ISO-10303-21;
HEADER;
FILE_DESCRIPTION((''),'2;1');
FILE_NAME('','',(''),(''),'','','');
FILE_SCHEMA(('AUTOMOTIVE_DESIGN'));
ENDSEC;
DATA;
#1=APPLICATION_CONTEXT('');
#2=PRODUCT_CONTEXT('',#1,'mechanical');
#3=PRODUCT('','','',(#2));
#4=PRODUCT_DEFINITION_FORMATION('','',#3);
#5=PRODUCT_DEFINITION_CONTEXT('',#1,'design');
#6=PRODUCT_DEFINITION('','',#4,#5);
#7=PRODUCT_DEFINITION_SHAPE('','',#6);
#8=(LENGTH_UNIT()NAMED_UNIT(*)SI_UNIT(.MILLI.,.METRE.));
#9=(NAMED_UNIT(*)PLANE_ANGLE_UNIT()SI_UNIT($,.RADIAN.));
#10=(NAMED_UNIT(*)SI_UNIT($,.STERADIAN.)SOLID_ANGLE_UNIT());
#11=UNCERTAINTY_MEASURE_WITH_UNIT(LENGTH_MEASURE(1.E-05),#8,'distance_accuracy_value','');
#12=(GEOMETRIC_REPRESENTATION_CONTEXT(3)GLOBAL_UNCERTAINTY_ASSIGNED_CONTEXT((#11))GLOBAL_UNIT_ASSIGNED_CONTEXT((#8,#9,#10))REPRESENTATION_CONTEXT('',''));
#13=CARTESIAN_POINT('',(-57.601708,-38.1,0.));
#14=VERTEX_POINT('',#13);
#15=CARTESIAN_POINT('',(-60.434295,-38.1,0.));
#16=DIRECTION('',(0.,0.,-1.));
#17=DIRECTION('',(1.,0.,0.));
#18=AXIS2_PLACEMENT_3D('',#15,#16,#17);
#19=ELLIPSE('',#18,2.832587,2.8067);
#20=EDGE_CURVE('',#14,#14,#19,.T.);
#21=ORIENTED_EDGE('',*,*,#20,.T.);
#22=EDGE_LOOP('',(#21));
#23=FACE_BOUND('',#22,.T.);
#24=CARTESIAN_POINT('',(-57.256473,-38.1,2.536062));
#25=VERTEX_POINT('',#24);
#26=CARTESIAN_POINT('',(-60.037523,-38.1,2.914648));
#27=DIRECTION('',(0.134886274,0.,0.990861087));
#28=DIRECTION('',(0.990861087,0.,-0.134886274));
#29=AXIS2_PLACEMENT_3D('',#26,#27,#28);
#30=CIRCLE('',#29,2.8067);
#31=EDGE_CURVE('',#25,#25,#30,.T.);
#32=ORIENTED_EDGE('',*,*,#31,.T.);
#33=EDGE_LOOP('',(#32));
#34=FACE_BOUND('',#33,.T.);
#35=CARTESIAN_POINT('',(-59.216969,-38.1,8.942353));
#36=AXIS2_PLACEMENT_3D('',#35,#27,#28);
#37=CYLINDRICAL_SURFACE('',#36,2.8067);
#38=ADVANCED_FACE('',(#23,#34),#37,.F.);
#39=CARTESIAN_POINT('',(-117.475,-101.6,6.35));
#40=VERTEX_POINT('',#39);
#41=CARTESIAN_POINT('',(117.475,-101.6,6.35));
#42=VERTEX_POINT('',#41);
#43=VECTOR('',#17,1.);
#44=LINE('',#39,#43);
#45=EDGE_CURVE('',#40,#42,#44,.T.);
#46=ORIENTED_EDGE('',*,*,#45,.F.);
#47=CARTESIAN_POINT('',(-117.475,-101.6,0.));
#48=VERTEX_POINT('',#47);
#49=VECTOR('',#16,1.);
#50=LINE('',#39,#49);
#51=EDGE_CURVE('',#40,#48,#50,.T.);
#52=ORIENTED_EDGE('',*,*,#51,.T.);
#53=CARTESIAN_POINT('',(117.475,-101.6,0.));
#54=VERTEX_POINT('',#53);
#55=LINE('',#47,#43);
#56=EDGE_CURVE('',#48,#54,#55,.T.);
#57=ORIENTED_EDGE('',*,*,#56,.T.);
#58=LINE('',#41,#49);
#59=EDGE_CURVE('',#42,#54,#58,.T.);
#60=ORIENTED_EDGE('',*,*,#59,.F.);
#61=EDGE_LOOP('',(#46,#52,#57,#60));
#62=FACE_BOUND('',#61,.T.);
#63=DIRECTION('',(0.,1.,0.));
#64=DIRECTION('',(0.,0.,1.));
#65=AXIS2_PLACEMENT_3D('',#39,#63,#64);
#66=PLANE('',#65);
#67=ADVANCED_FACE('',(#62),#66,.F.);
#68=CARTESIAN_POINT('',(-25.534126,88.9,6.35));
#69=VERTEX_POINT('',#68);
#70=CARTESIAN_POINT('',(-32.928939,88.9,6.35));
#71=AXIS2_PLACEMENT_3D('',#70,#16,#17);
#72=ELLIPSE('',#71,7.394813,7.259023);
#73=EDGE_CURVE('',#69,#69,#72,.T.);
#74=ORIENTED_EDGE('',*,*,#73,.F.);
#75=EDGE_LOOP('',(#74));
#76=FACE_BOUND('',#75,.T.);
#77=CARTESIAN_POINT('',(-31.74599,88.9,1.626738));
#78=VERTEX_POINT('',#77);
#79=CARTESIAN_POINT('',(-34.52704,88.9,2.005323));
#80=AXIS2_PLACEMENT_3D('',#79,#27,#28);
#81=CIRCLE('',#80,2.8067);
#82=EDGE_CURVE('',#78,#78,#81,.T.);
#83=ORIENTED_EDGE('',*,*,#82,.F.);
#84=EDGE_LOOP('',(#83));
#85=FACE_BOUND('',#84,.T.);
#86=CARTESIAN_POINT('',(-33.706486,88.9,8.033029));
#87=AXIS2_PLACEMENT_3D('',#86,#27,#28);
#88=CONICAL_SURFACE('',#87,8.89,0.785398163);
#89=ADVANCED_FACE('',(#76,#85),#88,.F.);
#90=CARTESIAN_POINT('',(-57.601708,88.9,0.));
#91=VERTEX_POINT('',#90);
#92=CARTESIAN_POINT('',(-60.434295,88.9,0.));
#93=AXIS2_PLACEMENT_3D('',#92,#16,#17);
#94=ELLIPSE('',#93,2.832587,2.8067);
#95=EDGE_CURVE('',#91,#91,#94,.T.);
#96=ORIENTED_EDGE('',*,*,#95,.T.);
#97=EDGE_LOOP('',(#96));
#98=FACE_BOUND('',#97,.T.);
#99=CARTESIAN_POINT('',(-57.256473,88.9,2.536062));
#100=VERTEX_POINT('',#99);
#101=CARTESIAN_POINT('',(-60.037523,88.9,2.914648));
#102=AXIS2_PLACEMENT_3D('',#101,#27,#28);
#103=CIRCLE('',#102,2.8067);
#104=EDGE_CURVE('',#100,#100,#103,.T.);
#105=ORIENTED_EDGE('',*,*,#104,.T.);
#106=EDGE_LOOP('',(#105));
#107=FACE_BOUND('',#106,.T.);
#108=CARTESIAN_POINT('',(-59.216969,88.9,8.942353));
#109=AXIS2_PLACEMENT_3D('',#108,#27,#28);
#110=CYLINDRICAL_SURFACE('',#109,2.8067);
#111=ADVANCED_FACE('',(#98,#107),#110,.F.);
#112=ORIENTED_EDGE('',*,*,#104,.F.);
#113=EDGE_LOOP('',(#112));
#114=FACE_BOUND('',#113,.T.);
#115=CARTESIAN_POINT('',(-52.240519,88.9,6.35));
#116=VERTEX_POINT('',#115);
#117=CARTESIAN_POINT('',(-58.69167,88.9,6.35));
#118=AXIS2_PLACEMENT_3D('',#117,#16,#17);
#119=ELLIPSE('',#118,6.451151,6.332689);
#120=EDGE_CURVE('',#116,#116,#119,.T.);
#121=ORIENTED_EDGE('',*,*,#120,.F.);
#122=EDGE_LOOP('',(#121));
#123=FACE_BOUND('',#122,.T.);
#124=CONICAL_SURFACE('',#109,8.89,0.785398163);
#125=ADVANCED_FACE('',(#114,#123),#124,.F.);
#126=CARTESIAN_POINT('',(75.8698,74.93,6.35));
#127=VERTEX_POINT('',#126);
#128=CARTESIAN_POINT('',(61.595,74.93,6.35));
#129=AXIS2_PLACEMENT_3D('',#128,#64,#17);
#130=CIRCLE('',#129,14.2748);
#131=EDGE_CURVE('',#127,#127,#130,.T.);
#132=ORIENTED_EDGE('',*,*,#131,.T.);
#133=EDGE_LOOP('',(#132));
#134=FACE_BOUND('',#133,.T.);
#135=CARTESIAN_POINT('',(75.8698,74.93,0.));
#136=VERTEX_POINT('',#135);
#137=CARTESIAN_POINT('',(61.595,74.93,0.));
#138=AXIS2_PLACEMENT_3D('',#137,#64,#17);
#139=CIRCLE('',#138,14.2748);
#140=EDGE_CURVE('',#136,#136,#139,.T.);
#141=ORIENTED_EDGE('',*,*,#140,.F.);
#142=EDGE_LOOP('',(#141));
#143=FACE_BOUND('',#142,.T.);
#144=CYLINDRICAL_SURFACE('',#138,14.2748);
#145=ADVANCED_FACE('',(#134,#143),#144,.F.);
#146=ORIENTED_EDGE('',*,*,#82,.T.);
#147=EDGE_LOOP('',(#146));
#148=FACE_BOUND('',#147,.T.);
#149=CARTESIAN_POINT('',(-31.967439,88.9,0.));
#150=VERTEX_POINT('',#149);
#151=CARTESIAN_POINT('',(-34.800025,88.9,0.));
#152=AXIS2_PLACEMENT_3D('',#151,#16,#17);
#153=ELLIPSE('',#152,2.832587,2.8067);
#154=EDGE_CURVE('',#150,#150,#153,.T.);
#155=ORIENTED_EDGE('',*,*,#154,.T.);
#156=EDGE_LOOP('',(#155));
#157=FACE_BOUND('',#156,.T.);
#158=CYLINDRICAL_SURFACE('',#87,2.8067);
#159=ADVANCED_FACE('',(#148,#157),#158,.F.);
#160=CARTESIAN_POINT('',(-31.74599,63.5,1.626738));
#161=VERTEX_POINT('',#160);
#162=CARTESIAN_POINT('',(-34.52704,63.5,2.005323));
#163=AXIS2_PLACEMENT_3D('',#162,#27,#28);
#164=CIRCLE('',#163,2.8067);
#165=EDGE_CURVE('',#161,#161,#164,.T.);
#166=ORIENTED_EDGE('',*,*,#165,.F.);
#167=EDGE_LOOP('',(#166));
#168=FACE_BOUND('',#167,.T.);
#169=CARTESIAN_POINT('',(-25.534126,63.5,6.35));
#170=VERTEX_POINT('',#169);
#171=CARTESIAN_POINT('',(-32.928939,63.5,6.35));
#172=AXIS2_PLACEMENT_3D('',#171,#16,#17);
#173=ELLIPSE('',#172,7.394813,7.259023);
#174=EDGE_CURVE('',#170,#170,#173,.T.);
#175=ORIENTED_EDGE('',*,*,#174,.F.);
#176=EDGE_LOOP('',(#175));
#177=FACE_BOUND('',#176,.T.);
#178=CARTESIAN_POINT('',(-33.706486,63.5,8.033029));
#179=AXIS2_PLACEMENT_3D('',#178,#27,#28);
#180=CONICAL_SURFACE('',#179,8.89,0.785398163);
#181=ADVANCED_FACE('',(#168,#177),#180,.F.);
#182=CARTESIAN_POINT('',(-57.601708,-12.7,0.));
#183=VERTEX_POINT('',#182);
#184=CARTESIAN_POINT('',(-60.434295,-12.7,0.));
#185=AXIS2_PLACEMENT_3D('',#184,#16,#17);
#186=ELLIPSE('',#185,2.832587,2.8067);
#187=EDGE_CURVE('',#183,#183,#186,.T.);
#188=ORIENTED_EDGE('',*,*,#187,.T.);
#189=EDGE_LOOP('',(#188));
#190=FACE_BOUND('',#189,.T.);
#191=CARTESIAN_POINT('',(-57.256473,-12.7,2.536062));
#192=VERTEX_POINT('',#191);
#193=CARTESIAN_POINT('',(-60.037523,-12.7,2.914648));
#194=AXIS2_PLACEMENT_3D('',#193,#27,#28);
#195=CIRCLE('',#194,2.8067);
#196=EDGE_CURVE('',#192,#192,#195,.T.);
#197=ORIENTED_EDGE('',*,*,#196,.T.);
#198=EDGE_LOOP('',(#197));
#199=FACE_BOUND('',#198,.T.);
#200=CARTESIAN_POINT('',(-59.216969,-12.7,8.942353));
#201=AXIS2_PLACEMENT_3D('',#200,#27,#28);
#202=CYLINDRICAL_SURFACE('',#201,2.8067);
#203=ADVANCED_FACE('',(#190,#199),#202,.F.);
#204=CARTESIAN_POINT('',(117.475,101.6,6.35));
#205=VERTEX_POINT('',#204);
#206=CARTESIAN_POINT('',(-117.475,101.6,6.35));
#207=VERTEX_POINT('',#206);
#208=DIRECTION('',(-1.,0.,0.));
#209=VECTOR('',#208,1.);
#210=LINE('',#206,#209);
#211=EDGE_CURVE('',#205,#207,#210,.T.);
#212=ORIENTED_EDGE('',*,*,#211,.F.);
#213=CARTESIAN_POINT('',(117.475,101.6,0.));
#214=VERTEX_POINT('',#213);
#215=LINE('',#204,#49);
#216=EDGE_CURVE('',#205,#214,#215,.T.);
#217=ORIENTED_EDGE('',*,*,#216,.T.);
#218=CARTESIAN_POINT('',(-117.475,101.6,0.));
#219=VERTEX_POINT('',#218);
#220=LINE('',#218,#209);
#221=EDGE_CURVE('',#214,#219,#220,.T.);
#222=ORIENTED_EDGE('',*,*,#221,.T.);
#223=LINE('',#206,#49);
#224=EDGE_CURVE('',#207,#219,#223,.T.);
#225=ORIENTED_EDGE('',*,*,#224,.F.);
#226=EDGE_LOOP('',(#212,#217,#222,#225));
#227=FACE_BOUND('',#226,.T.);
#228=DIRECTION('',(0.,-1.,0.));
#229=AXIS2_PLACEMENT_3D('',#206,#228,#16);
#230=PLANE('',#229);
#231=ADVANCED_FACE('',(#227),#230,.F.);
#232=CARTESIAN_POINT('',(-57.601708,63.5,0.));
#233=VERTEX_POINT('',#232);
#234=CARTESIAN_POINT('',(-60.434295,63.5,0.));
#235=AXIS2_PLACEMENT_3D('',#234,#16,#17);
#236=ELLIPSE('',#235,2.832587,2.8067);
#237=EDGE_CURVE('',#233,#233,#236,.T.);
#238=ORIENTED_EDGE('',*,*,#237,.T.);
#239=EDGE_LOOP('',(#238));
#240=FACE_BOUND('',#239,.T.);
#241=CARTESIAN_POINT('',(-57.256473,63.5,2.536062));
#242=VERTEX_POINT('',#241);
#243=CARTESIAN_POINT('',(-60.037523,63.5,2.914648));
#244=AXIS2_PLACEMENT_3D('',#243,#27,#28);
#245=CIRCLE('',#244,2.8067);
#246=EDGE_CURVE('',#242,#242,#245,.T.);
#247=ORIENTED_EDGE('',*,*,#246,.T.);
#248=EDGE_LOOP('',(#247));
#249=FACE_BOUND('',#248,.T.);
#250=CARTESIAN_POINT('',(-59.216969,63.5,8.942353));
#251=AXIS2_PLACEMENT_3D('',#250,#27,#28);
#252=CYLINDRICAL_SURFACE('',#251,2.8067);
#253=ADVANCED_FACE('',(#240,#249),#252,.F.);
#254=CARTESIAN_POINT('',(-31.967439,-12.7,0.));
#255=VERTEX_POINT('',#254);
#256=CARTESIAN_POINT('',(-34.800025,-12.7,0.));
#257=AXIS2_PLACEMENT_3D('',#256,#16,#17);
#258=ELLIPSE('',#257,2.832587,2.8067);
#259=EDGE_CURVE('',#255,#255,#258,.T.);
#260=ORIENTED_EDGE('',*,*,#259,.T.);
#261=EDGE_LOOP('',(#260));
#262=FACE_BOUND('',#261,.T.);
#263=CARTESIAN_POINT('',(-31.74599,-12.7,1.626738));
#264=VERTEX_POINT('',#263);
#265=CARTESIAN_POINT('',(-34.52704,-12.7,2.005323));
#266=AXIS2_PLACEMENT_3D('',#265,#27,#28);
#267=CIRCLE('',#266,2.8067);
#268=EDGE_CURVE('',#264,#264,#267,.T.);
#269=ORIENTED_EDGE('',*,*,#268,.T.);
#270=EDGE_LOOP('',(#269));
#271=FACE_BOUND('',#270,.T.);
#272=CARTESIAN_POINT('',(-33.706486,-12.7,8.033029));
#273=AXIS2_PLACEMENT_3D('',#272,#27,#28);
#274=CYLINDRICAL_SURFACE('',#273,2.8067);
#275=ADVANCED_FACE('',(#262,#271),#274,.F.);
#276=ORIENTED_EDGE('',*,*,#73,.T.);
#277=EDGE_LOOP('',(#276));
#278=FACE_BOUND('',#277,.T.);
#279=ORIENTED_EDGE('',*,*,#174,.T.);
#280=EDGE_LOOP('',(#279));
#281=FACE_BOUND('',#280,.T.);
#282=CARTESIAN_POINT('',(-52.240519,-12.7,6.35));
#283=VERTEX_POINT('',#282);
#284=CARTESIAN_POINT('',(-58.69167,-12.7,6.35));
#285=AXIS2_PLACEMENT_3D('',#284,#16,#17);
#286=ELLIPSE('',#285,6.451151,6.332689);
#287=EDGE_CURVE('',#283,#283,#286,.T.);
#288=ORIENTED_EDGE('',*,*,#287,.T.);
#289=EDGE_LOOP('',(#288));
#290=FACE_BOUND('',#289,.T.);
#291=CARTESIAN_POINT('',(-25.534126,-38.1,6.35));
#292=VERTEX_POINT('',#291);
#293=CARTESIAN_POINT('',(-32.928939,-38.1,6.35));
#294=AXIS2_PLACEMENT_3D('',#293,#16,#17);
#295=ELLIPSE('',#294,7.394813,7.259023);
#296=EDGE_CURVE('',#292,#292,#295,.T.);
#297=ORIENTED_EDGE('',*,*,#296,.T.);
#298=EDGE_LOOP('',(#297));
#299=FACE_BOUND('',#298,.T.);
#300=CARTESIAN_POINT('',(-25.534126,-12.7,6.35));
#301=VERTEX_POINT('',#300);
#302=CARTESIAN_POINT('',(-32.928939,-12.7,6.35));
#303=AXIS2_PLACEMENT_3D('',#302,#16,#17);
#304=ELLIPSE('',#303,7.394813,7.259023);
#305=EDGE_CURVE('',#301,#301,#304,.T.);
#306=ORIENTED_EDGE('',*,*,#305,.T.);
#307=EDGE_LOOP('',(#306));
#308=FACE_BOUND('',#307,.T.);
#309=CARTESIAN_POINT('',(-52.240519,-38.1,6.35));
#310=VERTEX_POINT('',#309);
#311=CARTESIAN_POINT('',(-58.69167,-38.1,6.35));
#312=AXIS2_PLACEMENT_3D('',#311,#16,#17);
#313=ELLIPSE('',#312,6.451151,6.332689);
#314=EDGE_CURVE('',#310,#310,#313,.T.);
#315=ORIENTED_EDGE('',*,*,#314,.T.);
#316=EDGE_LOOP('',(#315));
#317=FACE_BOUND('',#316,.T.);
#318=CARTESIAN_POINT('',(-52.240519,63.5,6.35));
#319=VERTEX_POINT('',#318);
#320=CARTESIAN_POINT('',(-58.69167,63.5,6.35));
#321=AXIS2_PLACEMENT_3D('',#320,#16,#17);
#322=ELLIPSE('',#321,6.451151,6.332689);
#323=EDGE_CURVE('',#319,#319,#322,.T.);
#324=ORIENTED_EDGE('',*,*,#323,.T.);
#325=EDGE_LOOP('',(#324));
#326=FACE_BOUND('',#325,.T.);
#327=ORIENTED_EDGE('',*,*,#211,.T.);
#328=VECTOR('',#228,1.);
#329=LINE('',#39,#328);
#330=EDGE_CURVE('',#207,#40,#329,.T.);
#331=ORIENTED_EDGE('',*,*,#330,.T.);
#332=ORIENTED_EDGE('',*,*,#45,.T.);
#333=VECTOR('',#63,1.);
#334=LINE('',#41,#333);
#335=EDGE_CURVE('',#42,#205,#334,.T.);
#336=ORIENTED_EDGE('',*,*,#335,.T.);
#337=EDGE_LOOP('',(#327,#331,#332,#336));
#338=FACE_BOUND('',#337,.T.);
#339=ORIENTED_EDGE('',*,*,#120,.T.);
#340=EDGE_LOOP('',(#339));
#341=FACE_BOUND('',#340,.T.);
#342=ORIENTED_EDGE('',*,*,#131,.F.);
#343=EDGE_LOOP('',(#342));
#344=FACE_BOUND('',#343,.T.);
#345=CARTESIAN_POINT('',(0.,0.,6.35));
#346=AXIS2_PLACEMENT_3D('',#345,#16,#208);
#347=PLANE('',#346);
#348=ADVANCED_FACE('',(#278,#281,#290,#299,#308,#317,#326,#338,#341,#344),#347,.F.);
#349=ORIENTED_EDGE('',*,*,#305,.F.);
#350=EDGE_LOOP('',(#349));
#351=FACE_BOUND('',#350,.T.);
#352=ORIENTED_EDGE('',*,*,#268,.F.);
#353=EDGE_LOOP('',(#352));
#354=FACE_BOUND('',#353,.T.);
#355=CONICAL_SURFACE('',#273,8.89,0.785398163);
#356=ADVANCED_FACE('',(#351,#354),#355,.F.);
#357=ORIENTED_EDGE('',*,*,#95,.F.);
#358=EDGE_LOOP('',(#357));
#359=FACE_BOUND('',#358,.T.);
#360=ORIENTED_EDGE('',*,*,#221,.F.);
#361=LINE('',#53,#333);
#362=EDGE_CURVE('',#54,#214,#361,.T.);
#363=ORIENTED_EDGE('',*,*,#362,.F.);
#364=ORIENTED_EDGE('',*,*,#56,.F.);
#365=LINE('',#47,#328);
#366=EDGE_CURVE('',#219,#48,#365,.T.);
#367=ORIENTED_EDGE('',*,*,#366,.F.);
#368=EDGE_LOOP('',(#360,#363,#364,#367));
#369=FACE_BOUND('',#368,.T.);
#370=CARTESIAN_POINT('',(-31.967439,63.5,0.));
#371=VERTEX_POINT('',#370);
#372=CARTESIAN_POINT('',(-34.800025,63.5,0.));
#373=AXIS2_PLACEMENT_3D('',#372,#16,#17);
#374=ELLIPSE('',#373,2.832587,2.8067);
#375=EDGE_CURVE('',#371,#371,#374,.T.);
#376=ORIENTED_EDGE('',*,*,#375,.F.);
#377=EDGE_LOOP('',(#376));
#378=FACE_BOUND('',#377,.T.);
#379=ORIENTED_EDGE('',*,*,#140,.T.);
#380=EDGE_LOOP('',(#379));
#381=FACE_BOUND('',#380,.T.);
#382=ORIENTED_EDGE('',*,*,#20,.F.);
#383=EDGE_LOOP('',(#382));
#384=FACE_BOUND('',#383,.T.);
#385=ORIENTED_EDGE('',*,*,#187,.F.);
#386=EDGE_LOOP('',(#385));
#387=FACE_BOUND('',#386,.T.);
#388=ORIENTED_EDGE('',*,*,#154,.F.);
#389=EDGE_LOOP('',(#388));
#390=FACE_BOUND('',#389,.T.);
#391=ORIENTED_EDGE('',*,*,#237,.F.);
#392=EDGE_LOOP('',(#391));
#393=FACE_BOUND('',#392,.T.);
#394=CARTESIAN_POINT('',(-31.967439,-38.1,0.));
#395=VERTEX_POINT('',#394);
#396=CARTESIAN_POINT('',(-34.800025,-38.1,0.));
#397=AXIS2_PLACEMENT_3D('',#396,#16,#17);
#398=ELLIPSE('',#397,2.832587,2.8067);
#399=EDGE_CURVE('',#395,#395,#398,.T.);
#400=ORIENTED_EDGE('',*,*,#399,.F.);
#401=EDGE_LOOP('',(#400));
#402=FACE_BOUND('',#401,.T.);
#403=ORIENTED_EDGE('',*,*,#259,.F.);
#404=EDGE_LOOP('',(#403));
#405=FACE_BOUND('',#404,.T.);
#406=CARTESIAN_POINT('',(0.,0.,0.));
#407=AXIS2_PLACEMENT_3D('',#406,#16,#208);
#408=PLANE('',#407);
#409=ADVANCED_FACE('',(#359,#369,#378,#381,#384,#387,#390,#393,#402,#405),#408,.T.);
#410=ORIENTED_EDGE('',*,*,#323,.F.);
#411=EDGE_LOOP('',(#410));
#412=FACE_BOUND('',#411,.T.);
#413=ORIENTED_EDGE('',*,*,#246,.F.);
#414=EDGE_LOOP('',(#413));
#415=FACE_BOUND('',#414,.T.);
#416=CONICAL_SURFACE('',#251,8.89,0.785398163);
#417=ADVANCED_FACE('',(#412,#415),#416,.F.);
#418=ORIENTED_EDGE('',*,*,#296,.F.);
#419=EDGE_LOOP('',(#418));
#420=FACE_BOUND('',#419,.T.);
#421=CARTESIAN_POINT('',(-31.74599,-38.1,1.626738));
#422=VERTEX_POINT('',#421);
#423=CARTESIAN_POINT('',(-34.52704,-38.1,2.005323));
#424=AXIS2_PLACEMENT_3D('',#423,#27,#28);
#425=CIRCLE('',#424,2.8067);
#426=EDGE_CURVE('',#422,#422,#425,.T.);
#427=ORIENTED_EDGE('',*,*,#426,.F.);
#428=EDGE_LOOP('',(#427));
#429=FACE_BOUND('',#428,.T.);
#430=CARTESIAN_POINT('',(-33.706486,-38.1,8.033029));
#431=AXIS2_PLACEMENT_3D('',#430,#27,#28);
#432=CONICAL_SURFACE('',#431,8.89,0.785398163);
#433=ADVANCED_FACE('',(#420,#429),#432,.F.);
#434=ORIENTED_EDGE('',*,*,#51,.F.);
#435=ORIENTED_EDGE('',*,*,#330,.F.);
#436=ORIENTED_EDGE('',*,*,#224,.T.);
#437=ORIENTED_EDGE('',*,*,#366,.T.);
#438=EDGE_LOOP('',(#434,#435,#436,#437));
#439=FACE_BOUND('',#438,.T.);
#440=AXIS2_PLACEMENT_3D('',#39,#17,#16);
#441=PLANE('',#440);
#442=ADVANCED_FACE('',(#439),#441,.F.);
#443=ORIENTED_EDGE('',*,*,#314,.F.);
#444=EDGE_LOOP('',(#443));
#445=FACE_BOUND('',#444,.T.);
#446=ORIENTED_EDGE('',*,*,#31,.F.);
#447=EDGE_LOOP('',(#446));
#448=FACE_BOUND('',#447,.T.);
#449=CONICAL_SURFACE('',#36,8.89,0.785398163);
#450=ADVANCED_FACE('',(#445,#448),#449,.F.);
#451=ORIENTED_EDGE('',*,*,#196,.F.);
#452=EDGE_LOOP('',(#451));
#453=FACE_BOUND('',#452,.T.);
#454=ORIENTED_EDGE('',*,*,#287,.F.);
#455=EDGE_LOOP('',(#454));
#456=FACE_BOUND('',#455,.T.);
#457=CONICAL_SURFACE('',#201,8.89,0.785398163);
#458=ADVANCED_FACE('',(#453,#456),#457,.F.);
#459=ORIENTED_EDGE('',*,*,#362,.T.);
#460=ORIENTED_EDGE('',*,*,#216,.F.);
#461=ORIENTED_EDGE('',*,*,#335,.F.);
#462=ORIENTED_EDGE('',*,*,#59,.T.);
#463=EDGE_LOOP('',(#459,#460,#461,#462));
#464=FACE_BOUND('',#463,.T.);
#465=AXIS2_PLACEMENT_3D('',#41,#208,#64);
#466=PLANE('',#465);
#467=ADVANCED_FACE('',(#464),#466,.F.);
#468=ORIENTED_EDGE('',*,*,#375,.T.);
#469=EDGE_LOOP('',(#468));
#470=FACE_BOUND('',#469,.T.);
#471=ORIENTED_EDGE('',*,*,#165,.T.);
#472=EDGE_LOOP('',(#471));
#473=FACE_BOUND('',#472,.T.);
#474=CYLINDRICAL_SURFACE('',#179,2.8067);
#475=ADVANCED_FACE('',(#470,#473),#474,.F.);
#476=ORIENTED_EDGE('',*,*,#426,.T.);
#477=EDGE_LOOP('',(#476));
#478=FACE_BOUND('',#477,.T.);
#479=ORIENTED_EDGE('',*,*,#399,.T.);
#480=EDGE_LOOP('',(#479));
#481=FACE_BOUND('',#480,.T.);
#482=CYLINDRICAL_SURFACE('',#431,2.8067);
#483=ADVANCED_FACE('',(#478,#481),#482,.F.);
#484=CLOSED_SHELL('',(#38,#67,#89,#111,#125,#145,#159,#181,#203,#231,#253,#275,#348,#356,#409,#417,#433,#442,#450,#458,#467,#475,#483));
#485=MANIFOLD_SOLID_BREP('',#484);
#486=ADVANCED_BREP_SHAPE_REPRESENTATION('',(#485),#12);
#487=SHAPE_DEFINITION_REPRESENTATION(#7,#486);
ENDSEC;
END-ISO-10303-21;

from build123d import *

# Parameters (mm, degrees)
SKETCH1_W                                          = 234.95
SKETCH1_H                                          = 203.2
BOSS_EXTRUDE1_DEPTH                                = 6.35
SKETCH2_R                                          = 14.2748
CUT_EXTRUDE1_DEPTH                                 = 7.35
CSK_FOR_10_FLAT_HEAD_MACHINE_SCREW_100_D           = 5.6134
CSK_FOR_10_FLAT_HEAD_MACHINE_SCREW_100_CSINK_D     = 17.78
CSK_FOR_10_FLAT_HEAD_MACHINE_SCREW_100_CSINK_ANGLE = 90
CSK_FOR_10_FLAT_HEAD_MACHINE_SCREW_2_D             = 5.6134
CSK_FOR_10_FLAT_HEAD_MACHINE_SCREW_2_CSINK_D       = 17.78
CSK_FOR_10_FLAT_HEAD_MACHINE_SCREW_2_CSINK_ANGLE   = 90


with BuildPart() as part:
    # Sketch1 → Boss-Extrude1 (new body)
    with BuildSketch(Plane.XY):
        Rectangle(SKETCH1_W, SKETCH1_H)
    extrude(amount=BOSS_EXTRUDE1_DEPTH)

    # Sketch2 → Cut-Extrude1 (cut, through all)
    with BuildSketch(Plane.XY.offset(6.35)):
        with Locations((61.595, 74.93)):
            Circle(SKETCH2_R)
    extrude(amount=-CUT_EXTRUDE1_DEPTH, mode=Mode.SUBTRACT)

    # CSK for _10 Flat Head Machine Screw _100 (through all)
    with Locations(Plane(origin=(271.17770657, -265.595089466, -36.034392524), x_dir=(-0.990861087, 0, 0.134886274), z_dir=(0.134886274, 0, 0.990861087))):
        with Locations((333.441972913, -227.495089466), (333.441972913, -252.895089466), (333.441972913, -329.095089466), (333.441972913, -354.495089466)):
            CounterSinkHole(CSK_FOR_10_FLAT_HEAD_MACHINE_SCREW_100_D / 2, CSK_FOR_10_FLAT_HEAD_MACHINE_SCREW_100_CSINK_D / 2, counter_sink_angle=CSK_FOR_10_FLAT_HEAD_MACHINE_SCREW_100_CSINK_ANGLE)

    # CSK for _10 Flat Head Machine Screw  2 (through all)
    with Locations(Plane(origin=(271.520317707, -265.595089466, -33.517605364), x_dir=(-0.990861087, 0, 0.134886274), z_dir=(0.134886274, 0, 0.990861087))):
        with Locations((308.041972913, -252.895089466), (308.041972913, -227.495089466), (308.041972913, -329.095089466), (308.041972913, -354.495089466)):
            CounterSinkHole(CSK_FOR_10_FLAT_HEAD_MACHINE_SCREW_2_D / 2, CSK_FOR_10_FLAT_HEAD_MACHINE_SCREW_2_CSINK_D / 2, counter_sink_angle=CSK_FOR_10_FLAT_HEAD_MACHINE_SCREW_2_CSINK_ANGLE)


solid = part.part
